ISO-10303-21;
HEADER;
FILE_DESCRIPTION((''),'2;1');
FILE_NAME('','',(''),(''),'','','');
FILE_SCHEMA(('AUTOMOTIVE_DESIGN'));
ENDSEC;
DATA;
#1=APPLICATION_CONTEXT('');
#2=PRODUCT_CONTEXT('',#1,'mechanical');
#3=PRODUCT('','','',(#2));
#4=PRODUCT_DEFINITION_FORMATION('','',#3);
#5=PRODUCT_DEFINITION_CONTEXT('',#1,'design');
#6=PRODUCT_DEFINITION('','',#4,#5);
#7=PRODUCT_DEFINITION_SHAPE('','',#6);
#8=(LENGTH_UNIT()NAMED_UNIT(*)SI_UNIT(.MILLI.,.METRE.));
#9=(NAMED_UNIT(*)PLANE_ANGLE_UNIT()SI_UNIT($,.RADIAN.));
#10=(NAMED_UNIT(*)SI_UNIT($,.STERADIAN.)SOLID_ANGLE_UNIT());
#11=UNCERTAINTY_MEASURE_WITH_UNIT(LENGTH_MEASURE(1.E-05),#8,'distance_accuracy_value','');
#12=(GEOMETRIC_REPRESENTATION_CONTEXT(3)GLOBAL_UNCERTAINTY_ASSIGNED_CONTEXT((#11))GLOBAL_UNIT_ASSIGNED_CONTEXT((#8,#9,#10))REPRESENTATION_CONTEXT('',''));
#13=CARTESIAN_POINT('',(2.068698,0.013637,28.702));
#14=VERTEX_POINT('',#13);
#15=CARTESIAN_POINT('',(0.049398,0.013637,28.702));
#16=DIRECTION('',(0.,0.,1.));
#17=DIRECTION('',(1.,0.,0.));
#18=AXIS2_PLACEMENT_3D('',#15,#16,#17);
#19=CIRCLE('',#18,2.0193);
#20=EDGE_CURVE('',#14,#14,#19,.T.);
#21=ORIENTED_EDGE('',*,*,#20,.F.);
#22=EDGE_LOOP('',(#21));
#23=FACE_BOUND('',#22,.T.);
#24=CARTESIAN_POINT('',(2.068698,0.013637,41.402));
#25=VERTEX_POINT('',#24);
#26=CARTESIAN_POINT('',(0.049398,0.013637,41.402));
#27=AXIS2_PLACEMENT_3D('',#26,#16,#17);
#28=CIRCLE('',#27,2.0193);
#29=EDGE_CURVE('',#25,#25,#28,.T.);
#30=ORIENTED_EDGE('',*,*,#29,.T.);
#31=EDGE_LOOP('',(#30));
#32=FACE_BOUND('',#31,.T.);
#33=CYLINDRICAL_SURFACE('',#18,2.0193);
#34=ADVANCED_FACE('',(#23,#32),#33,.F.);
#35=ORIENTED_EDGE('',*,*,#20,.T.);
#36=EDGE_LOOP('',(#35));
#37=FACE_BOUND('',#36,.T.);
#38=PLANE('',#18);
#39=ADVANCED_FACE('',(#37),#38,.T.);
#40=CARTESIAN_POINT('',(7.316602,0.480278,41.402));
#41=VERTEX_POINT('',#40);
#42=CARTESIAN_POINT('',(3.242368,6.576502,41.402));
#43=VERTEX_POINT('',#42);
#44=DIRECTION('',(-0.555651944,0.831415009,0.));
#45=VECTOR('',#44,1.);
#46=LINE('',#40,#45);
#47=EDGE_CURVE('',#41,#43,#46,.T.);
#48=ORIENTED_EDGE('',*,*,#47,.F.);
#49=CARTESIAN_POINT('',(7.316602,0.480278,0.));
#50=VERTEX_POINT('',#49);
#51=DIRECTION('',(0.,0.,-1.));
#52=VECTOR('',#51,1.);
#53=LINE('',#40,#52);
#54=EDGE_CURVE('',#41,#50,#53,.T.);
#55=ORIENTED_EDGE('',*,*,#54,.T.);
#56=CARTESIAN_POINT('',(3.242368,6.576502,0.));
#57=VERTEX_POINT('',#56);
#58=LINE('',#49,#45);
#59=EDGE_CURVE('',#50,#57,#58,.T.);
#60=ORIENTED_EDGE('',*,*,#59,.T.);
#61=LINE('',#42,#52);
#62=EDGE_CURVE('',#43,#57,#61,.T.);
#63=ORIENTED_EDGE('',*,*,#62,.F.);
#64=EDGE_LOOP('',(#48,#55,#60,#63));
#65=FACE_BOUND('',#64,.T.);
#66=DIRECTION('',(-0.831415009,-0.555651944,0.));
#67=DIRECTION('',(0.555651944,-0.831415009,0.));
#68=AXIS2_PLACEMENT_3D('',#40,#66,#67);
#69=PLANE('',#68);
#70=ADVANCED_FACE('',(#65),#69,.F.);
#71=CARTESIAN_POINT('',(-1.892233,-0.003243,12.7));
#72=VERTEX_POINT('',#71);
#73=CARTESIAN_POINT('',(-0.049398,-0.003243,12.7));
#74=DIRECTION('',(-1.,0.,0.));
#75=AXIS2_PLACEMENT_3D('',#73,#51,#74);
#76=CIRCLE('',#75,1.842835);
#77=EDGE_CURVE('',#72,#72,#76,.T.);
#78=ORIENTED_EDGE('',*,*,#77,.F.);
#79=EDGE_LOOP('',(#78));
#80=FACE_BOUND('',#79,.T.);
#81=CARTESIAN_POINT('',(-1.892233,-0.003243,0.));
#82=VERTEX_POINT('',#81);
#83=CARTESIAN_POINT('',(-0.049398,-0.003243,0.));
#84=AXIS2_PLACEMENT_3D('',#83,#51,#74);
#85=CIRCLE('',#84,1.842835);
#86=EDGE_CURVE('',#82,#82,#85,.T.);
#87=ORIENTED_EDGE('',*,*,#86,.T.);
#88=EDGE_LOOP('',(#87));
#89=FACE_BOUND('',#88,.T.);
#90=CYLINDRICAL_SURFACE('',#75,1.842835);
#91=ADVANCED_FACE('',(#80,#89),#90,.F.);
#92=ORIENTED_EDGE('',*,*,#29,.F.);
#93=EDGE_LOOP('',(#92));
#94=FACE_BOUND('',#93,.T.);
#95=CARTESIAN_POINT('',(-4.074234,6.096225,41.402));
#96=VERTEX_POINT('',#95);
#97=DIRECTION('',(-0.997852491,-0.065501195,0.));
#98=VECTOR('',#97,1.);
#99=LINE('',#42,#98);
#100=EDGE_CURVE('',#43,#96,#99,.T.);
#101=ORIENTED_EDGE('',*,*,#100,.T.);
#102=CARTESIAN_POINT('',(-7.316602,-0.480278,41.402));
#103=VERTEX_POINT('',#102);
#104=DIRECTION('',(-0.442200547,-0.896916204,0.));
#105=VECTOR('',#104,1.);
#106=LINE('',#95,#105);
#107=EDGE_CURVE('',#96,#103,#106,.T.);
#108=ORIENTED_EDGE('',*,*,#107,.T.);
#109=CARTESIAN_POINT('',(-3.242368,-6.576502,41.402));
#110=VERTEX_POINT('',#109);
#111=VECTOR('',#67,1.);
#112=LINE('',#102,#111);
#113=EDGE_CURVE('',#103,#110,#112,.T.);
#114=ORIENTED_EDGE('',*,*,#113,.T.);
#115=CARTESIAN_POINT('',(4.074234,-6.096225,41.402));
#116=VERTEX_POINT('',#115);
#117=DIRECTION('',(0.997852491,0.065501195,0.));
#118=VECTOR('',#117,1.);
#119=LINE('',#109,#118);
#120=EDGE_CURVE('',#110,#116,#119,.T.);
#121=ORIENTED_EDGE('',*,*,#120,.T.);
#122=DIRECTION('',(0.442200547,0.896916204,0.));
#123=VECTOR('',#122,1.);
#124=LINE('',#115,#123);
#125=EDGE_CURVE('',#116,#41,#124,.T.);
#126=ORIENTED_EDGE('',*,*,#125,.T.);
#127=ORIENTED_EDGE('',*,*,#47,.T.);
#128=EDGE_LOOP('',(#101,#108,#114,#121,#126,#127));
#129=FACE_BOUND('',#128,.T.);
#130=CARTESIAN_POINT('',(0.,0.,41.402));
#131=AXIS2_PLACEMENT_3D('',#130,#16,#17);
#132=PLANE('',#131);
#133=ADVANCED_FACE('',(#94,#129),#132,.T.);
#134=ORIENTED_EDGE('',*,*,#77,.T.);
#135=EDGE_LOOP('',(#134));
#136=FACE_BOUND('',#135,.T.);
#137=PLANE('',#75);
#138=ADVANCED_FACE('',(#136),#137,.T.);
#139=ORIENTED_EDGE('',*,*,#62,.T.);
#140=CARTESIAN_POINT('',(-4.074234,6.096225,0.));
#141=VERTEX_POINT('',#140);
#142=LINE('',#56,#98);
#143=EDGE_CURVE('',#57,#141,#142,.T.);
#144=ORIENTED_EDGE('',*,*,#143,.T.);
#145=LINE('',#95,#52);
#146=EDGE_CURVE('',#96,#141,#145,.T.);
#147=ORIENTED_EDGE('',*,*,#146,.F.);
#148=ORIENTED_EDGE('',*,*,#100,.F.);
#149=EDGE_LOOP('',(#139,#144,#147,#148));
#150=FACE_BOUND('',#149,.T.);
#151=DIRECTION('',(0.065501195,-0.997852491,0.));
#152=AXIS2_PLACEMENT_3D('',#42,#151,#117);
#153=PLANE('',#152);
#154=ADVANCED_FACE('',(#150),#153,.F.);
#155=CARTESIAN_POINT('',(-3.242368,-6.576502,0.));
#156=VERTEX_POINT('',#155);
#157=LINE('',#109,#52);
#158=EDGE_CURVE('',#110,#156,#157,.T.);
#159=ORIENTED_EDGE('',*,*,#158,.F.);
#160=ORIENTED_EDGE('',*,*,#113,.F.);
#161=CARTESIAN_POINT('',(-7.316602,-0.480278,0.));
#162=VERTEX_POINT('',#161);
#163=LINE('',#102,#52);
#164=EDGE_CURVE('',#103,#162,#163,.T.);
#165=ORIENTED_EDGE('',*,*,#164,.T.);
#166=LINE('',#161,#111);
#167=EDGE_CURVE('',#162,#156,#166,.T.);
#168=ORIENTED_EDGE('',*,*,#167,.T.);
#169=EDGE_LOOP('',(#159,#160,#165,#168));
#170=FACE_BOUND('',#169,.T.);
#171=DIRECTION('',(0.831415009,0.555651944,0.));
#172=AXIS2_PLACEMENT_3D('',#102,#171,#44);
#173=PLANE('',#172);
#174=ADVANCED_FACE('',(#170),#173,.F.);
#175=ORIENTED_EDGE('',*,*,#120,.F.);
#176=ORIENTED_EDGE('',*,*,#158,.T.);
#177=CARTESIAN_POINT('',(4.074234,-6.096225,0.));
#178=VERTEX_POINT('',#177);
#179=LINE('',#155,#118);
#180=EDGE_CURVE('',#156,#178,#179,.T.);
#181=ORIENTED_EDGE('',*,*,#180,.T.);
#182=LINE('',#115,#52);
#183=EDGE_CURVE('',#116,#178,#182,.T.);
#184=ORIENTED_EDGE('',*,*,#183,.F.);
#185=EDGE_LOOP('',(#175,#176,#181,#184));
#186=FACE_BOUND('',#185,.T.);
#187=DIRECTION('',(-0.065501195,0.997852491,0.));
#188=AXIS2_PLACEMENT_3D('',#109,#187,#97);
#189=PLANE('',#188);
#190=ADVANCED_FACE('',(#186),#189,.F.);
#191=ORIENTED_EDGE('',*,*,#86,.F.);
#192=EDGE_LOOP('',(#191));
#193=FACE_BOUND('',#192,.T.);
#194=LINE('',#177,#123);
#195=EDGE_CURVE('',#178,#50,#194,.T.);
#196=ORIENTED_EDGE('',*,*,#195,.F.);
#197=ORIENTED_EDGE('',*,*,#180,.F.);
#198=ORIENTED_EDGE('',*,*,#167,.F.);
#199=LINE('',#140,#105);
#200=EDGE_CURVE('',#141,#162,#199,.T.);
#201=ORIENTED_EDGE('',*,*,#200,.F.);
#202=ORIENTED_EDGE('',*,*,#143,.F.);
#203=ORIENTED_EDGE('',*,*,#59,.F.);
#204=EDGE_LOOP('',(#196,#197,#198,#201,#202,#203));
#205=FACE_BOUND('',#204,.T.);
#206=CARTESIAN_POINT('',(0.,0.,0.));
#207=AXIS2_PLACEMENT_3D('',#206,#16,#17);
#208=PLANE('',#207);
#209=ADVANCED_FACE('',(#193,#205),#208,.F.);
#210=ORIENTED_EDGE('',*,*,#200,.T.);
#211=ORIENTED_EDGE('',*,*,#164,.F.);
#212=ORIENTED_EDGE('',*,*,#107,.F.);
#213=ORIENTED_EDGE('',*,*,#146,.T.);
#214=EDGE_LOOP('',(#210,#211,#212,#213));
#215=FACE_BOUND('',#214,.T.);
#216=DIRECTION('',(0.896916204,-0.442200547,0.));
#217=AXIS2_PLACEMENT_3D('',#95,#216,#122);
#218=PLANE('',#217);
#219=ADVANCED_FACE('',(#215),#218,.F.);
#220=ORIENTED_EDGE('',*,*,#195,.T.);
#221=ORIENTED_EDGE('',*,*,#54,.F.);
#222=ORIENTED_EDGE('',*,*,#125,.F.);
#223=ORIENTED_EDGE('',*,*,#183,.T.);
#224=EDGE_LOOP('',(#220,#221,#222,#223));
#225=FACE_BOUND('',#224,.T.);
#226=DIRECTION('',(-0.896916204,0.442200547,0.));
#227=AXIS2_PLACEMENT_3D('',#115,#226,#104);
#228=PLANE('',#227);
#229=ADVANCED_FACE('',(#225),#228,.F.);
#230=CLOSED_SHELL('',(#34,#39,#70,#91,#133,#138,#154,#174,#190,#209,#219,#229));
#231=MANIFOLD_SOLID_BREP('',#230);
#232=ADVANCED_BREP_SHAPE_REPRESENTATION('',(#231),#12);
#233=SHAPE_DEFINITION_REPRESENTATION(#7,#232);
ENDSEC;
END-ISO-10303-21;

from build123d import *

# Parameters (mm, degrees)
BOSS_EXTRUDE1_DEPTH = 41.402
SKETCH2_R           = 2.0193
CUT_EXTRUDE2_DEPTH  = 12.7
SKETCH3_R           = 1.842835094
CUT_EXTRUDE7_DEPTH  = 12.7


with BuildPart() as part:
    # Sketch1 → Boss-Extrude1 (new body)
    with BuildSketch(Plane.XY):
        Polygon((3.242368481, 6.576502107), (-4.074233653, 6.096224526), (-7.316602133, -0.480277581), (-3.242368481, -6.576502107), (4.074233653, -6.096224526), (7.316602133, 0.480277581), align=None)
    extrude(amount=BOSS_EXTRUDE1_DEPTH)

    # Sketch2 → Cut-Extrude2 (cut)
    with BuildSketch(Plane.XY.offset(41.402)):
        with Locations((0.049397867, 0.013636683)):
            Circle(SKETCH2_R)
    extrude(amount=-CUT_EXTRUDE2_DEPTH, mode=Mode.SUBTRACT)

    # Sketch3 → Cut-Extrude7 (cut)
    with BuildSketch(Plane(origin=(0, 0, 0), x_dir=(-1, 0, 0), z_dir=(0, 0, -1))):
        with Locations((0.049397867, -0.003242583)):
            Circle(SKETCH3_R)
    extrude(amount=-CUT_EXTRUDE7_DEPTH, mode=Mode.SUBTRACT)


solid = part.part
